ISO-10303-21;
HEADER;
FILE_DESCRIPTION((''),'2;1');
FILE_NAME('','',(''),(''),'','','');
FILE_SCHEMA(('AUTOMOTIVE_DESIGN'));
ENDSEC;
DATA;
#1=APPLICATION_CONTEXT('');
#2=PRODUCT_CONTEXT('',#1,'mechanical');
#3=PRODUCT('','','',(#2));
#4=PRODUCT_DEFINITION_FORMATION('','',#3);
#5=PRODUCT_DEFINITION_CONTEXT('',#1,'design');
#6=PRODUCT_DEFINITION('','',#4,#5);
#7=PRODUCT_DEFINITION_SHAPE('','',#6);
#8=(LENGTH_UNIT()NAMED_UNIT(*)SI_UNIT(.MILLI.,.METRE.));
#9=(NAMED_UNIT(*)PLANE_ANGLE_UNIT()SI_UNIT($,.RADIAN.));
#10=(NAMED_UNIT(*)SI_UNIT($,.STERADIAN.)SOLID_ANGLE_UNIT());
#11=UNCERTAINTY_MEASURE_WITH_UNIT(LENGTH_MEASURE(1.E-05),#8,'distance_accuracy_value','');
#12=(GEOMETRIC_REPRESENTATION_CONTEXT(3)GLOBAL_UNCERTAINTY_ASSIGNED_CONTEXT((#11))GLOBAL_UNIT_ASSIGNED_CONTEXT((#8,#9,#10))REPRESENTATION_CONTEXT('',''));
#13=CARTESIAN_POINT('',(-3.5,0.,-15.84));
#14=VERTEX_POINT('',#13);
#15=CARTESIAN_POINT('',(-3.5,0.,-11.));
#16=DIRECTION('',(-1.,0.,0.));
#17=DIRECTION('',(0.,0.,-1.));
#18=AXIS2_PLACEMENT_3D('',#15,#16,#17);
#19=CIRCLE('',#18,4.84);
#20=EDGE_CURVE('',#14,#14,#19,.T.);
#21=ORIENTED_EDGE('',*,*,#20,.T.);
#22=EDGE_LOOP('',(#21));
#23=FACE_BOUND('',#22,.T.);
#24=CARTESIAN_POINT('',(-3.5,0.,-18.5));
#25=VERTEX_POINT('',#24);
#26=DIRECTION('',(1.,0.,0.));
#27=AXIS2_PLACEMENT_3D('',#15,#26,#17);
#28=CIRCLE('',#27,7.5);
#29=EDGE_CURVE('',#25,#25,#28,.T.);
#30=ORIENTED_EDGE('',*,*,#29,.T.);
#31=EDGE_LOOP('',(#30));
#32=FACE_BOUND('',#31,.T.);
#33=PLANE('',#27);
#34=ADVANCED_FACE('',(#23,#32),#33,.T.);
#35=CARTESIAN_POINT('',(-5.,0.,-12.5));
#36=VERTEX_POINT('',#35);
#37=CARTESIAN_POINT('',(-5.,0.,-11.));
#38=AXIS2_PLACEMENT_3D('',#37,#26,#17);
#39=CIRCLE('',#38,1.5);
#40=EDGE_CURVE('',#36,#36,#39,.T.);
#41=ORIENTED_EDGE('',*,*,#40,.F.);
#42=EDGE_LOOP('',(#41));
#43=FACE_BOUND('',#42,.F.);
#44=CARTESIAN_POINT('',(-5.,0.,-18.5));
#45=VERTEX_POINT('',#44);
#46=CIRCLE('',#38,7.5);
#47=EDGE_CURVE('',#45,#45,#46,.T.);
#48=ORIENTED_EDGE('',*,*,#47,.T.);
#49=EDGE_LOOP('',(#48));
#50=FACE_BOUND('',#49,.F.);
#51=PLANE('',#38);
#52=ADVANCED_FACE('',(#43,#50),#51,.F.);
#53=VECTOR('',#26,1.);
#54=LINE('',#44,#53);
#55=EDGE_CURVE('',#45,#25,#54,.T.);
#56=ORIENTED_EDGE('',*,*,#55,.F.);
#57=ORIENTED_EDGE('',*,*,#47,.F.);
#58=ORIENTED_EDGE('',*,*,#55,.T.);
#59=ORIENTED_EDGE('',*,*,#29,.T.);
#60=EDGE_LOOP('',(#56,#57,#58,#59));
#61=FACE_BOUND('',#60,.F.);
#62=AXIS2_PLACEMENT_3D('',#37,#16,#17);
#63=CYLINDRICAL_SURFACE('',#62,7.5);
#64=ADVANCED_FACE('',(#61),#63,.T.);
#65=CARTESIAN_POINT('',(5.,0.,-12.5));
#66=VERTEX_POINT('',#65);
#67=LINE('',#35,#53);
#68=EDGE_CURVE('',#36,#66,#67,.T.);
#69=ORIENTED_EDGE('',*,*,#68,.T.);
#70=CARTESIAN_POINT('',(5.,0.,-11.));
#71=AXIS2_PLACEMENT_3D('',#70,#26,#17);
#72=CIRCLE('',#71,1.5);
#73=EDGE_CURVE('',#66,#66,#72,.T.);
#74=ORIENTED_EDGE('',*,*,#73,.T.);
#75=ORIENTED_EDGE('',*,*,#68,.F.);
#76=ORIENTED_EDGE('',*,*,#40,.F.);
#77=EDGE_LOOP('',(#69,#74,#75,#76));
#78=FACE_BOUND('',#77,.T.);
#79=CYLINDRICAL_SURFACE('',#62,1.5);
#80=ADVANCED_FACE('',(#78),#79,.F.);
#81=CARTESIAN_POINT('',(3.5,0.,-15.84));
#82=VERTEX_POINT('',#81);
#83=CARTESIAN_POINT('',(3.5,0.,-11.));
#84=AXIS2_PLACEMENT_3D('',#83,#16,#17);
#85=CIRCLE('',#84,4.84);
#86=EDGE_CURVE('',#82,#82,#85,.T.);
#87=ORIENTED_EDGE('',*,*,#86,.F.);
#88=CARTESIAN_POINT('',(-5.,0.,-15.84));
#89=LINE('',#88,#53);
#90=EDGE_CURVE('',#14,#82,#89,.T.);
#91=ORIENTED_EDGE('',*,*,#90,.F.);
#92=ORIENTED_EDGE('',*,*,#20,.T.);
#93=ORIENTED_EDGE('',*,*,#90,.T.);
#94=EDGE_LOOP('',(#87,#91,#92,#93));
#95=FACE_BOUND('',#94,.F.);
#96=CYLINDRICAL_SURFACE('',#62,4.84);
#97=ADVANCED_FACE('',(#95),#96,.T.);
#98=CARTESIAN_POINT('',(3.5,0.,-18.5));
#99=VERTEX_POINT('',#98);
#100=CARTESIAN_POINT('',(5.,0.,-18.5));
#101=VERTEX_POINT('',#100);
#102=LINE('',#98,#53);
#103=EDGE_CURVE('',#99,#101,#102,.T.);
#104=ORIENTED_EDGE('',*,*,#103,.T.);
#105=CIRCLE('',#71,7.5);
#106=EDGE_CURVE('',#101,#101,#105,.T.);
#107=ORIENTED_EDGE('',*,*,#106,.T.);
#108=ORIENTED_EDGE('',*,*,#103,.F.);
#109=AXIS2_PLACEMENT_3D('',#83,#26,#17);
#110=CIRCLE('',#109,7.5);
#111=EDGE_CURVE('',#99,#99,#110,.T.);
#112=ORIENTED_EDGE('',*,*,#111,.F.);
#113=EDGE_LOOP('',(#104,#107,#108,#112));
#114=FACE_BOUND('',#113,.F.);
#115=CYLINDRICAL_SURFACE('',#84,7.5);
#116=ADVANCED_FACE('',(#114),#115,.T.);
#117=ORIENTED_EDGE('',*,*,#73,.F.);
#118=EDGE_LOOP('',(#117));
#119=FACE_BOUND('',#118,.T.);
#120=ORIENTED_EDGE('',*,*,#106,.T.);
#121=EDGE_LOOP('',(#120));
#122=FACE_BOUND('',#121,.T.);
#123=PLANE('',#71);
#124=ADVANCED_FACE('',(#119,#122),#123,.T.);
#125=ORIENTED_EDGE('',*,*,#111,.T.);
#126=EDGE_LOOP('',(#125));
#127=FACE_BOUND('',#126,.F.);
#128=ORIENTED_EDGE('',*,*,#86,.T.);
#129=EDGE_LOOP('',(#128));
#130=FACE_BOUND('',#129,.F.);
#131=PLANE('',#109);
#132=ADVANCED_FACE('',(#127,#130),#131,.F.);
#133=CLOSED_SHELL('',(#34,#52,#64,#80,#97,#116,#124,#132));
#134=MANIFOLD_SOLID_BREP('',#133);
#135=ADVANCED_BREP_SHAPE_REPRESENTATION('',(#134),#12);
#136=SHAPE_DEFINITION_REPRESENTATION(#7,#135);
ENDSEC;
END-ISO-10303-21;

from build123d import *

# Parameters (mm, degrees)
CYLINDER003_R       = 1.5
CYLINDER003_DEPTH   = 10
CYLINDER001_R       = 7.5
CYLINDER001_DEPTH   = 1.5
CYLINDER_R          = 4.84
CYLINDER_DEPTH      = 10
CYLINDER002_R       = 7.5
CYLINDER002_DEPTH   = 1.5
CUT_PLACEMENT_ANGLE = 90


with BuildPart() as cylinder003:
    # Cylinder003 → Cylinder003 (new body)
    with BuildSketch(Plane.XY):
        Circle(CYLINDER003_R)
    extrude(amount=CYLINDER003_DEPTH)


with BuildPart() as cylinder001:
    # Cylinder001 → Cylinder001 (new body)
    with BuildSketch(Plane.XY.offset(8.5)):
        Circle(CYLINDER001_R)
    extrude(amount=CYLINDER001_DEPTH)


with BuildPart() as cylinder:
    # Cylinder → Cylinder (new body)
    with BuildSketch(Plane.XY):
        Circle(CYLINDER_R)
    extrude(amount=CYLINDER_DEPTH)


with BuildPart() as f_16_teeth_idler:
    # Cylinder002 → Cylinder002 (new body)
    with BuildSketch(Plane.XY):
        Circle(CYLINDER002_R)
    extrude(amount=CYLINDER002_DEPTH)

    # Fusion: union Cylinder001, Cylinder
    add(cylinder001.part)
    add(cylinder.part)

    # Cut: cut Cylinder003
    add(cylinder003.part, mode=Mode.SUBTRACT)


with BuildPart() as f_16_teeth_idler_1:
    # Cut placement: moved
    add(f_16_teeth_idler.part.moved(Location((-5, 0, -11))).rotate(Axis((-5, 0, -11), (0, 1, 0)), CUT_PLACEMENT_ANGLE))


solid = f_16_teeth_idler_1.part
